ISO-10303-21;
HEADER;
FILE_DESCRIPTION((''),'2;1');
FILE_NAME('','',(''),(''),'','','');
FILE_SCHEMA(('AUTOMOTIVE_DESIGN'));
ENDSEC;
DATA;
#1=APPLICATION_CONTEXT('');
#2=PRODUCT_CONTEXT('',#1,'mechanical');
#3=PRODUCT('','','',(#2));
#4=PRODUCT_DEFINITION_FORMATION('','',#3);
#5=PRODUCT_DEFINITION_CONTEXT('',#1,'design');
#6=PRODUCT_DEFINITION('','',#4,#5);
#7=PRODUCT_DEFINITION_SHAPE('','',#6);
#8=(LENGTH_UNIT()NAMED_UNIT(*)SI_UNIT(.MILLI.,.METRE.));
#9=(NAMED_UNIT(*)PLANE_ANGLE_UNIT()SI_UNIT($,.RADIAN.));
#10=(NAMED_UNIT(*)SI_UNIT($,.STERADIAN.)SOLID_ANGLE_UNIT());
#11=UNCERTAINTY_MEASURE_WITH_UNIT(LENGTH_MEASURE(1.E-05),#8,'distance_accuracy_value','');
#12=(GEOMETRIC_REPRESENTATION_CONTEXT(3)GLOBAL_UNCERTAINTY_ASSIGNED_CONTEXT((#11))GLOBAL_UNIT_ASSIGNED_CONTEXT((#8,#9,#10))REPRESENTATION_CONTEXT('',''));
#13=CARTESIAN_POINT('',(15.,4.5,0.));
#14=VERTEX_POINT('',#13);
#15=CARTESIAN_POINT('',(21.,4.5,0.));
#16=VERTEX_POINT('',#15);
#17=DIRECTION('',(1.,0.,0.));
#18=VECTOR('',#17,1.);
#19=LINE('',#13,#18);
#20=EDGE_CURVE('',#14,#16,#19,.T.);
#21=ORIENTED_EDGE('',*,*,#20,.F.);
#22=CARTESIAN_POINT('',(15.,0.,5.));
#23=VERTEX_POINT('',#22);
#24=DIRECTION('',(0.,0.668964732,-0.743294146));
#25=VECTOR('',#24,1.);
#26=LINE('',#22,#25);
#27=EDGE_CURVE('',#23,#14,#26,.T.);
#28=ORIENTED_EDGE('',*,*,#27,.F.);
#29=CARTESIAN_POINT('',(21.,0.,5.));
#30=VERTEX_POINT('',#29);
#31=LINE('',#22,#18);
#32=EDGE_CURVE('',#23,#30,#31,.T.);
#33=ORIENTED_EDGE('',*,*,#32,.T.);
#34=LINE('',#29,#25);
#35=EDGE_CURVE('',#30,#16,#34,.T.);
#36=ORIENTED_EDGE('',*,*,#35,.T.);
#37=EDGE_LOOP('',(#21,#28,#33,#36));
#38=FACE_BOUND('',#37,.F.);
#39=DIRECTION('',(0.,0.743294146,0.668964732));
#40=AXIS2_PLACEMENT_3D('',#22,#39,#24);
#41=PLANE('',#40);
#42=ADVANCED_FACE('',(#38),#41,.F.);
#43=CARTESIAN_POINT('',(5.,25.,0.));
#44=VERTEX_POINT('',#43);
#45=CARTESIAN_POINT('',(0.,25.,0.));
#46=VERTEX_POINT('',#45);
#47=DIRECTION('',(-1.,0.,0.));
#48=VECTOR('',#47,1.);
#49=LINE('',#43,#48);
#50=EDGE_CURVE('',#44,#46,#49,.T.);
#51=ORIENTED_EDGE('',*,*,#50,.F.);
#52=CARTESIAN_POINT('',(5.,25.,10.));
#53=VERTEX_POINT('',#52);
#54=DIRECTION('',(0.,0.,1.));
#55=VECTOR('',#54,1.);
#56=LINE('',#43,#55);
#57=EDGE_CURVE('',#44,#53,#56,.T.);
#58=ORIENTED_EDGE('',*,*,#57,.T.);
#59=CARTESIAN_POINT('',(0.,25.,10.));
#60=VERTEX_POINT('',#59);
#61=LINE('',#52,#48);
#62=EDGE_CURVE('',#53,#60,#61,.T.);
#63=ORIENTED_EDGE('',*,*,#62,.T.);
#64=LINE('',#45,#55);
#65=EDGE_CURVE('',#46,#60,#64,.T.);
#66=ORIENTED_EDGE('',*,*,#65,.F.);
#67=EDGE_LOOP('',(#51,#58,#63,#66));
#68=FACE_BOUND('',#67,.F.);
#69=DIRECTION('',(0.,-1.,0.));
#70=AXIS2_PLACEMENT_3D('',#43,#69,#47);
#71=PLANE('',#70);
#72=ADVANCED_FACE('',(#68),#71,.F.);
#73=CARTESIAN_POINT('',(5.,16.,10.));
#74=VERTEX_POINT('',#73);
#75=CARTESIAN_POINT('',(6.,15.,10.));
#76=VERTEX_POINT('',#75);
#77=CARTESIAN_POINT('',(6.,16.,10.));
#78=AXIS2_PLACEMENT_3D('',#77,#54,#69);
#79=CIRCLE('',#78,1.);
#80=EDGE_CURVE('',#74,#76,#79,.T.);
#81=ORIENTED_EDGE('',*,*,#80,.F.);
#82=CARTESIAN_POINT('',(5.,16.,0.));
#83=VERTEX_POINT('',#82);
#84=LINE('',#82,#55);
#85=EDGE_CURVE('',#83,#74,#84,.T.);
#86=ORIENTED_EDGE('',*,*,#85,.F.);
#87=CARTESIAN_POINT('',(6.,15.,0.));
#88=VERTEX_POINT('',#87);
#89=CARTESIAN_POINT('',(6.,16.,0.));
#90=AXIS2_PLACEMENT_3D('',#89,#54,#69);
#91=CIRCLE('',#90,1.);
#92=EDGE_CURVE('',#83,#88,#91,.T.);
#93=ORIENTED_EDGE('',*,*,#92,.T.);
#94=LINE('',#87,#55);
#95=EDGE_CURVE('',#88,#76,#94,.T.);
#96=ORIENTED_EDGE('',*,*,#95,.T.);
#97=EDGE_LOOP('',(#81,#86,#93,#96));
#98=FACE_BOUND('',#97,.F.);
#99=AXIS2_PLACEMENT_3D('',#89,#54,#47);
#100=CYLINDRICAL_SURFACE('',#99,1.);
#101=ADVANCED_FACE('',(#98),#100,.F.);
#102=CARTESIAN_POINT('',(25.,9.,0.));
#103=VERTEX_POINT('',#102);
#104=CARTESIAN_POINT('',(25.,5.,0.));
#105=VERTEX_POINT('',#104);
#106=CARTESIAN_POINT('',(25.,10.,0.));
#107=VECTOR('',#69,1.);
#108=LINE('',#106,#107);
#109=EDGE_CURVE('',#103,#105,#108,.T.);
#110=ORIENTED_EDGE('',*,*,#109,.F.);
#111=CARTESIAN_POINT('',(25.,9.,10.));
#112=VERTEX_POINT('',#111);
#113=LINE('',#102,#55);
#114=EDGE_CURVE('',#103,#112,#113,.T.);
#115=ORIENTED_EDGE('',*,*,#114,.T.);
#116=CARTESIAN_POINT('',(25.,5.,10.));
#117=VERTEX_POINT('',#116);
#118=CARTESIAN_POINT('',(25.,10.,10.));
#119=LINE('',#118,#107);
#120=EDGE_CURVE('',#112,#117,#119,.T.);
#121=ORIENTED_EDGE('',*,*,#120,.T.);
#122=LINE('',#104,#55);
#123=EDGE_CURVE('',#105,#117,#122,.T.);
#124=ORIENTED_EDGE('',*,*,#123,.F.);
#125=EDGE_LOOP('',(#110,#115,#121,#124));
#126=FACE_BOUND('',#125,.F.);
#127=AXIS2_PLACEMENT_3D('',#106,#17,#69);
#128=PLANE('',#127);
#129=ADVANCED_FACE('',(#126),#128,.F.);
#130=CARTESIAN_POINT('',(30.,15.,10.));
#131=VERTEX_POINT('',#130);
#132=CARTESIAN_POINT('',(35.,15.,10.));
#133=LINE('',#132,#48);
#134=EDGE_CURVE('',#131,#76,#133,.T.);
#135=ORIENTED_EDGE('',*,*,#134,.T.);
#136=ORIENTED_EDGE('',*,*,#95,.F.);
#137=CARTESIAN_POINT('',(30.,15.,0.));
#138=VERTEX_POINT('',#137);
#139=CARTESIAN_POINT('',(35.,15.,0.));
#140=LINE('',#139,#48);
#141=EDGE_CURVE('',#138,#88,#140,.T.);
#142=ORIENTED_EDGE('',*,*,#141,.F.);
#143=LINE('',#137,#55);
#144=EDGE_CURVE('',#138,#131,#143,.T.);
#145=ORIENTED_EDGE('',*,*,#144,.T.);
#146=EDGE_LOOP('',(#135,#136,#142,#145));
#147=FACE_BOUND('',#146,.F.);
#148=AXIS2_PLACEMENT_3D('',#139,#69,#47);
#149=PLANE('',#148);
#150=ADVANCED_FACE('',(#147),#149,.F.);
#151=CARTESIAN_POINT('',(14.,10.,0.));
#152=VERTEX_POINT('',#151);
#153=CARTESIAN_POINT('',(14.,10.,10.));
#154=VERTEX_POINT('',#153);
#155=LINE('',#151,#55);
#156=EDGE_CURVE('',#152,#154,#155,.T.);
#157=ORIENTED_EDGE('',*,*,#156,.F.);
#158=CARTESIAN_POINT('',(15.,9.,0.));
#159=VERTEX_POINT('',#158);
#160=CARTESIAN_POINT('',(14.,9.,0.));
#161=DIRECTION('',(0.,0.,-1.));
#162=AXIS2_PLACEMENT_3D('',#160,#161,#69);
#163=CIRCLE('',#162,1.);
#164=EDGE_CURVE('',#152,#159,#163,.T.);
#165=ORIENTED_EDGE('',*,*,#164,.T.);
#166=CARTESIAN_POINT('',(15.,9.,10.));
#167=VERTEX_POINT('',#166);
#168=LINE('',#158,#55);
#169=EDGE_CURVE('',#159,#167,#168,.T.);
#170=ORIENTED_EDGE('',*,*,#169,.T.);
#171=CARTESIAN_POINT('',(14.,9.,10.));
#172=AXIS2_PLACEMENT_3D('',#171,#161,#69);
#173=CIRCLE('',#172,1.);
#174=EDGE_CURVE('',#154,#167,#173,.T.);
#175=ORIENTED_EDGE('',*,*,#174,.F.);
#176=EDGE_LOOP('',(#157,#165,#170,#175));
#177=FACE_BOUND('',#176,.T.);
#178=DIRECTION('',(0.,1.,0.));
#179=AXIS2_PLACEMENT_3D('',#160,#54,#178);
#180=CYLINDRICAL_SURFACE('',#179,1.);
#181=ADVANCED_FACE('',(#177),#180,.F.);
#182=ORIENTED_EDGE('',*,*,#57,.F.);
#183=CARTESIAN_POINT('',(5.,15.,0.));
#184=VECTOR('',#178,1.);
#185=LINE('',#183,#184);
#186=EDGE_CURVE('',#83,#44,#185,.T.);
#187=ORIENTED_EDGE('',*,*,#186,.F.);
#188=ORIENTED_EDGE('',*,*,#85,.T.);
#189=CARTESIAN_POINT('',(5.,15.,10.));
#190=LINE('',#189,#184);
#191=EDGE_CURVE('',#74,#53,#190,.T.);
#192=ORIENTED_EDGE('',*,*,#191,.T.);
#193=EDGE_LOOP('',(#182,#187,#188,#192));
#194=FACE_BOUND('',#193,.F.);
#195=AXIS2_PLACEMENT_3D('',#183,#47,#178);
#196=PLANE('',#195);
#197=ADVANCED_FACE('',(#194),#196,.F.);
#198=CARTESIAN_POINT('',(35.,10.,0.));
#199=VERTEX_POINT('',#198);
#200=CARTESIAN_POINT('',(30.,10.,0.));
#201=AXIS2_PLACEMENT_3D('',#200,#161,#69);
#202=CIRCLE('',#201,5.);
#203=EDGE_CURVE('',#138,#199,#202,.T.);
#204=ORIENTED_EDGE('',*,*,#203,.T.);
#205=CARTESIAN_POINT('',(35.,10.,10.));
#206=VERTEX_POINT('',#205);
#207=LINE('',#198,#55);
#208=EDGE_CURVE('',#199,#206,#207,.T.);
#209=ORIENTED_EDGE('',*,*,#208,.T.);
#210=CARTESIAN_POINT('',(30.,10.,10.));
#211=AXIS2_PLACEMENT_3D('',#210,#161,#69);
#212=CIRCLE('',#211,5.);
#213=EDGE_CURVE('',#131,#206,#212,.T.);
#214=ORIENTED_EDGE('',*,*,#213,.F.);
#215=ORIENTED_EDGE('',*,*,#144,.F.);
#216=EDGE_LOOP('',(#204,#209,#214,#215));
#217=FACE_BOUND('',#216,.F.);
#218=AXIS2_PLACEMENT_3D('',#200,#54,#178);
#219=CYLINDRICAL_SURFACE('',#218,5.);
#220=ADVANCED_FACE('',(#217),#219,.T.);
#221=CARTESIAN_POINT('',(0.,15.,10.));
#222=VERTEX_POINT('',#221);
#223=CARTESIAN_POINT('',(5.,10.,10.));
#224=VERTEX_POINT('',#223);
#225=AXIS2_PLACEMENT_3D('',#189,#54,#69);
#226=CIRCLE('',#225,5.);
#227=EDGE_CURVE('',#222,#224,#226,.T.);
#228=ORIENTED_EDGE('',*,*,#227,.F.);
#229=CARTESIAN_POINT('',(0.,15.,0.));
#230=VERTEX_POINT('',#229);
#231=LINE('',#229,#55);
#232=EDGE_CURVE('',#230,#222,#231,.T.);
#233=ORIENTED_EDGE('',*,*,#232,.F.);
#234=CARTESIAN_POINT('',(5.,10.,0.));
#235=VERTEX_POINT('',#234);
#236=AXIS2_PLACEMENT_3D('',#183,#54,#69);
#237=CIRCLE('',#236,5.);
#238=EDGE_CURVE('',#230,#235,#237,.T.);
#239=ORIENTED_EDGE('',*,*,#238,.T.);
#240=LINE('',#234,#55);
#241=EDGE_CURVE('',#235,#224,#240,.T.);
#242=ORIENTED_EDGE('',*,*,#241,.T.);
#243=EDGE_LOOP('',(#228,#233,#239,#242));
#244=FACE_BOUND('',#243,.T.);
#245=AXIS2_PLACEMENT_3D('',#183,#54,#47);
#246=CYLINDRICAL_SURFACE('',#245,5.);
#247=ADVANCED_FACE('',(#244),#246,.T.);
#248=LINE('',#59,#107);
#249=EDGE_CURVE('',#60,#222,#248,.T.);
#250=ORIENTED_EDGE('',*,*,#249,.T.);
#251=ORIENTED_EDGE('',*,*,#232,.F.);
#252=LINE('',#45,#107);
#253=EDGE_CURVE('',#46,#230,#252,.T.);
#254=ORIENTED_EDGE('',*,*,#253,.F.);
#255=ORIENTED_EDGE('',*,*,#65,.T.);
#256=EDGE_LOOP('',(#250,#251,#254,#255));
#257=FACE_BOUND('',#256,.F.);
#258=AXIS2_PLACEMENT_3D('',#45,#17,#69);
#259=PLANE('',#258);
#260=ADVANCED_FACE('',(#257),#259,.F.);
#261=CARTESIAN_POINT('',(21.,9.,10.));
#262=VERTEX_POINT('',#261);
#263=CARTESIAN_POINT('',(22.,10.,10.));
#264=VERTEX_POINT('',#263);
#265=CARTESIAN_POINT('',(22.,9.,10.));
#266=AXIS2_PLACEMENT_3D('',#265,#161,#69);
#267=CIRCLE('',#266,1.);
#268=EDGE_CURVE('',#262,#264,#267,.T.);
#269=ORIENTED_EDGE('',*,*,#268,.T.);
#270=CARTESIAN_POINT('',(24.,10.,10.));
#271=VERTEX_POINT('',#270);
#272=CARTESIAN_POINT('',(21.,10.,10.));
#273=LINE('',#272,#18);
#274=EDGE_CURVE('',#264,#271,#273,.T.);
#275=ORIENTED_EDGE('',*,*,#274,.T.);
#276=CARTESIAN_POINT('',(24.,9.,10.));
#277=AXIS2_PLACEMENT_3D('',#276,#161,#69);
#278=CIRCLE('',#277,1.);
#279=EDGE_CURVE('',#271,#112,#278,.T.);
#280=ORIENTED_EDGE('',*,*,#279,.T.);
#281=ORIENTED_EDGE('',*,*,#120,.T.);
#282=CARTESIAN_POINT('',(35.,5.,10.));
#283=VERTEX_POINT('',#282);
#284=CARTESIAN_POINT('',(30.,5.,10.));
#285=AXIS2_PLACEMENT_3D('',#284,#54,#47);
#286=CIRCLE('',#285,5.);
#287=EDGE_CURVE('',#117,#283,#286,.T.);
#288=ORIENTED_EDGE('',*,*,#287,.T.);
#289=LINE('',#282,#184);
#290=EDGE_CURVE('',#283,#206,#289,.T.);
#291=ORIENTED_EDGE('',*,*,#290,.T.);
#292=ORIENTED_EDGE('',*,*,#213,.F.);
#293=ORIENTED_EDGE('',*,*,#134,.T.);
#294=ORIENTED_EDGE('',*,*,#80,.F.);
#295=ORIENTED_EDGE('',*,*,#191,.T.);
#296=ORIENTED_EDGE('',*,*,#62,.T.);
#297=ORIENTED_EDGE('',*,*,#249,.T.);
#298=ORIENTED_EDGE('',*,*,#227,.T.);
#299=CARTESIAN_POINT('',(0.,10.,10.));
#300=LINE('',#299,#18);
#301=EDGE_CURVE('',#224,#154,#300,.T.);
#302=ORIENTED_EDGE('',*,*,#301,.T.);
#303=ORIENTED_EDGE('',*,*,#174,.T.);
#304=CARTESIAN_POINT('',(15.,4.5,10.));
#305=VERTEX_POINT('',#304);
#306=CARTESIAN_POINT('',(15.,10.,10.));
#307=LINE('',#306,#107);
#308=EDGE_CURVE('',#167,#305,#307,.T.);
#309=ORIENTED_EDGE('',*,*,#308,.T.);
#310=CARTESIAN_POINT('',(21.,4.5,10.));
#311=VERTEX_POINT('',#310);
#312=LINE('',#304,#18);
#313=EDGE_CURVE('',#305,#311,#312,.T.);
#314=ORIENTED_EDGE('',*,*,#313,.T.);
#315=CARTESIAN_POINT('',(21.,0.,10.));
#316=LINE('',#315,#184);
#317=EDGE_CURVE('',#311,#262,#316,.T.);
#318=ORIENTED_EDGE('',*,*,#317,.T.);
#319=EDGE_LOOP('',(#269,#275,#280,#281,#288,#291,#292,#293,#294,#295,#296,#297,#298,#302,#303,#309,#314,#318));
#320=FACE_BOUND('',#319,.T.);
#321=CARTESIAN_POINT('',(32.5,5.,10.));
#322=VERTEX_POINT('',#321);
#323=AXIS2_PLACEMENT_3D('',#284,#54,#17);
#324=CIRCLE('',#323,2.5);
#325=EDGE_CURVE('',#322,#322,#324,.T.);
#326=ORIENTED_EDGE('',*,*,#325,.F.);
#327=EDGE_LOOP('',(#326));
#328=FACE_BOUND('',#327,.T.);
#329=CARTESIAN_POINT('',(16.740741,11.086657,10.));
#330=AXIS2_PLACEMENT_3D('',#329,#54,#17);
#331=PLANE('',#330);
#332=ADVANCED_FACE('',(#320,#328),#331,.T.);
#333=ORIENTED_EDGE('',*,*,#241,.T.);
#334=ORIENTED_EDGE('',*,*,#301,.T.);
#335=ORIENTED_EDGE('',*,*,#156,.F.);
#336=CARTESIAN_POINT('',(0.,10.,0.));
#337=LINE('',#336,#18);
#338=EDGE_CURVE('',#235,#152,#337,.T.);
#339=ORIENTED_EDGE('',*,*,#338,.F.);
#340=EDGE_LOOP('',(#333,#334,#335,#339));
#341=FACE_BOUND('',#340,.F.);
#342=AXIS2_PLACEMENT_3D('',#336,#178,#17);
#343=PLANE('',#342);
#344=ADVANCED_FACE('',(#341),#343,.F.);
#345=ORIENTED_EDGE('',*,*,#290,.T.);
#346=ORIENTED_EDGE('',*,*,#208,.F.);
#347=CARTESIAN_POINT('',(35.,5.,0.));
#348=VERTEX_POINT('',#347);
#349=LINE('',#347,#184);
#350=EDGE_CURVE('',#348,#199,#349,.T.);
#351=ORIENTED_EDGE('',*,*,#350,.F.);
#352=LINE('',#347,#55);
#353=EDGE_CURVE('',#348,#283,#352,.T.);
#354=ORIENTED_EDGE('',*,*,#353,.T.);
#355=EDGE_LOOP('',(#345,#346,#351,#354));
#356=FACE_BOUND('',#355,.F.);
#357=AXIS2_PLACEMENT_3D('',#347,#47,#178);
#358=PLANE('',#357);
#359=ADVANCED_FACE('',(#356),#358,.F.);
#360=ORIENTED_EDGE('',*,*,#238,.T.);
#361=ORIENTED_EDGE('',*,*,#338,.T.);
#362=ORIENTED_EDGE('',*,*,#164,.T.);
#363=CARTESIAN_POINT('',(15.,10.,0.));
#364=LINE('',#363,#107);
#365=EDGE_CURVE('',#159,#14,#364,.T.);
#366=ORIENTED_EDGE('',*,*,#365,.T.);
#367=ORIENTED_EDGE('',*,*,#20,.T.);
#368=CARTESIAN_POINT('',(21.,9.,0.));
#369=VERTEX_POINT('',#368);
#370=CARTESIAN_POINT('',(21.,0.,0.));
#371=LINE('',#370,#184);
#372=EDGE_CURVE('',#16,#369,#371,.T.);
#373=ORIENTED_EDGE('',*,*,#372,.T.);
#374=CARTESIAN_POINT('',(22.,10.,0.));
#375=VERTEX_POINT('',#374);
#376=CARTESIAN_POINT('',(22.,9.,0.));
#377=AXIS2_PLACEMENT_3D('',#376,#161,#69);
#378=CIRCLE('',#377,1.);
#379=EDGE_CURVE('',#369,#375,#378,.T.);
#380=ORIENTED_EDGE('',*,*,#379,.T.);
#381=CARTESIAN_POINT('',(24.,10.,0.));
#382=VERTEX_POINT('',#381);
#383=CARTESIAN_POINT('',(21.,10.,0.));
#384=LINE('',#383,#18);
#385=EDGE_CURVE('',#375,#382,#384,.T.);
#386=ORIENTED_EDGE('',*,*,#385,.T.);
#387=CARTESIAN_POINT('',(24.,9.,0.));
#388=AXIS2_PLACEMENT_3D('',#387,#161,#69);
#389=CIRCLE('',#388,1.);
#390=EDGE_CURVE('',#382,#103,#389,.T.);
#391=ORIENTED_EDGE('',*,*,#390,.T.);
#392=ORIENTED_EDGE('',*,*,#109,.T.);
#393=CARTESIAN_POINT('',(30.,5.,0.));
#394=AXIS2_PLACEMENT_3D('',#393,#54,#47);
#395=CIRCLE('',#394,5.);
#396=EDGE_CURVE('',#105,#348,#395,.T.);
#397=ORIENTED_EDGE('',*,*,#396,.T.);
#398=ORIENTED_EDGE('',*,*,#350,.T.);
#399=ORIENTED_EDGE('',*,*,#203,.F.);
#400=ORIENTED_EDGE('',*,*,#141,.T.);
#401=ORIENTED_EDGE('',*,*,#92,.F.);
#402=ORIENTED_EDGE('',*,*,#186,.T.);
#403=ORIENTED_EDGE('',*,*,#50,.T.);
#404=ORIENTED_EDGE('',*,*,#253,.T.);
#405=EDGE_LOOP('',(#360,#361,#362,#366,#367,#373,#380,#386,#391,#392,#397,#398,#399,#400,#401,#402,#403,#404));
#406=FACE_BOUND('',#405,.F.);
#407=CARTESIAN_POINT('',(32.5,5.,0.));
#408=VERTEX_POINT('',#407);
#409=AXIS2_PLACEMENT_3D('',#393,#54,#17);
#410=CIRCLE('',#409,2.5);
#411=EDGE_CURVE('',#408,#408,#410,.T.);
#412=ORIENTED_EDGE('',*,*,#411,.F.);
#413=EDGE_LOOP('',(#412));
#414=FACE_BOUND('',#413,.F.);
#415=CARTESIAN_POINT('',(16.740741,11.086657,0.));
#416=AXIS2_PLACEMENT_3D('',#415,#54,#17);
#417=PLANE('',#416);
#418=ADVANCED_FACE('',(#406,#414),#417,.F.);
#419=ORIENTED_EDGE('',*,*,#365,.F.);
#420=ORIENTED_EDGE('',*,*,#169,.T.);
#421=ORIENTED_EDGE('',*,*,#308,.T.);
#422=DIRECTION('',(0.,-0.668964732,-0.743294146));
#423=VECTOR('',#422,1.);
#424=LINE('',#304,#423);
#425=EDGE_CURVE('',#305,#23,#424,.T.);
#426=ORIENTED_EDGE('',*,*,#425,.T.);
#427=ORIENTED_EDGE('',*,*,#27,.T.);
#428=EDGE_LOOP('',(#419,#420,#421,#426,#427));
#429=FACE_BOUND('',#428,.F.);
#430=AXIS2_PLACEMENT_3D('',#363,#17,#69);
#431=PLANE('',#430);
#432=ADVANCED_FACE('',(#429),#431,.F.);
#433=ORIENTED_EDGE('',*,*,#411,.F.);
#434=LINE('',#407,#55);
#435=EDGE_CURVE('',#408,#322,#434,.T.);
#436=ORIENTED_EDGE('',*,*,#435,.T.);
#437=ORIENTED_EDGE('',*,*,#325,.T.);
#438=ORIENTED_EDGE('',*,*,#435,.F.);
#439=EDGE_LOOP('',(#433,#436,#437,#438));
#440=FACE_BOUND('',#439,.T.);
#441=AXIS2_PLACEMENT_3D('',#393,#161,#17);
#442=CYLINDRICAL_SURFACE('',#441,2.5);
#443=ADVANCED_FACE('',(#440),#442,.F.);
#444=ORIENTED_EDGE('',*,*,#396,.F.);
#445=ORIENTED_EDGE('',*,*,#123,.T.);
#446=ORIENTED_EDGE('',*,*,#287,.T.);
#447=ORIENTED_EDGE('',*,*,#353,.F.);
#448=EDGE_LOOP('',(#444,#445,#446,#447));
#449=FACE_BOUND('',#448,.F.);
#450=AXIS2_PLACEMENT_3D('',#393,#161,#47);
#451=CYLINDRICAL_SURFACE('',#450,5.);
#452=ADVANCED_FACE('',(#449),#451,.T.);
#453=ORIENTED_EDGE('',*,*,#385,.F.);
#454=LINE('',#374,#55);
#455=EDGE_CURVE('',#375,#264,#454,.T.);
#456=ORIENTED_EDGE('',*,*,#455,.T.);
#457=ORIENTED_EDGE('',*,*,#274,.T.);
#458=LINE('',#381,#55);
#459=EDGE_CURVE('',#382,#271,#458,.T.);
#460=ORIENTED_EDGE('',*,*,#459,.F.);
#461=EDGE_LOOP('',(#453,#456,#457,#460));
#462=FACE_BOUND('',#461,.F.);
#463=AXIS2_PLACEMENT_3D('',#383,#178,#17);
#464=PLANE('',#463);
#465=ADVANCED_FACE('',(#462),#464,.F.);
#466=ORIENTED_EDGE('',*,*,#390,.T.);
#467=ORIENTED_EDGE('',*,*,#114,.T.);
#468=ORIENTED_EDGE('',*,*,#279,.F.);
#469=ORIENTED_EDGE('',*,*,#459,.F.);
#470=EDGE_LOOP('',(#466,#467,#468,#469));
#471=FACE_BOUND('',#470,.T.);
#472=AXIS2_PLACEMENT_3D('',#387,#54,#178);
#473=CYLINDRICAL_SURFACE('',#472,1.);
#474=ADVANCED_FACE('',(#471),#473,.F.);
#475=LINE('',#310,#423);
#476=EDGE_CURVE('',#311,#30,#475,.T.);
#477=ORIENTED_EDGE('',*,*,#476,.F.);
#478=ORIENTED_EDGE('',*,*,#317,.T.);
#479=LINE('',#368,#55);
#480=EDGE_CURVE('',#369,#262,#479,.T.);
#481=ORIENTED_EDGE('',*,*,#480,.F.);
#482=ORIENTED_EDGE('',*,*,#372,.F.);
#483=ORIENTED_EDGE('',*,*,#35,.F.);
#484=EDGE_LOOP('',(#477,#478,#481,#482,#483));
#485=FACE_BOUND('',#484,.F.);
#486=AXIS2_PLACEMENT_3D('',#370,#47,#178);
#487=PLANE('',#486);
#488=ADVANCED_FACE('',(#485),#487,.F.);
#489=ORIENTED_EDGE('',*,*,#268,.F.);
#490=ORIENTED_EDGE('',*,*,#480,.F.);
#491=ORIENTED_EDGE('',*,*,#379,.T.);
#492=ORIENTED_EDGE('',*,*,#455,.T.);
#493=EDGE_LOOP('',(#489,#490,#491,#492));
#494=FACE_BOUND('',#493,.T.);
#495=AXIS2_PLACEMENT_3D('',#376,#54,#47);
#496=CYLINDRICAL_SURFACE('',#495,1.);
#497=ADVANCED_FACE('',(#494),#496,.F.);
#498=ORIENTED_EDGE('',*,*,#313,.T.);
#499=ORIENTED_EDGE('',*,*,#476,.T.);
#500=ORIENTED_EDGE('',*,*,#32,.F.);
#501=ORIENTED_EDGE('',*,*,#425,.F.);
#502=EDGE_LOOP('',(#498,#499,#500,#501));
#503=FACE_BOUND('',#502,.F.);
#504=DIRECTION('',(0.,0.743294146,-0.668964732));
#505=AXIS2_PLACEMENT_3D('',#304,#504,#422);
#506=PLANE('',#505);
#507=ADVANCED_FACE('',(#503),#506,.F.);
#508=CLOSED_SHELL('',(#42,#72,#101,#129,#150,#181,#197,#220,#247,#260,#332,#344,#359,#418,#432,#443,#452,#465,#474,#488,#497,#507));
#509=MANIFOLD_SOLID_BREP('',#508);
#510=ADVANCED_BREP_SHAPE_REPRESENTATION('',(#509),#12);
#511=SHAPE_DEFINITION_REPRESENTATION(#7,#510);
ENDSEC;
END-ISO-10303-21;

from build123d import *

# Parameters (mm, degrees)
F0_R     = 2.5
F1_DEPTH = 10
F2_R     = 5
F3_R     = 1
F5_DEPTH = 6


with BuildPart() as f1:
    # F0 (on Top) → F1 (new body)
    with BuildSketch(Plane.XY):
        with BuildLine():
            Line((0, 25), (0, 10))
            Line((0, 10), (15, 10))
            Line((15, 10), (15, 0))
            Line((15, 0), (21, 0))
            Line((21, 0), (21, 10))
            Line((21, 10), (25, 10))
            Line((25, 10), (25, 5))
            ThreePointArc((25, 5), (30, 0), (35, 5))
            Line((35, 5), (35, 15))
            Line((35, 15), (5, 15))
            Line((5, 15), (5, 25))
            Line((5, 25), (0, 25))
        make_face()
        with Locations((30, 5)):
            Circle(F0_R, mode=Mode.SUBTRACT)
    extrude(amount=F1_DEPTH)

    # F2
    f2_edges = [f1.edges().sort_by_distance(p)[0] for p in [
        (0, 10, 5),
        (35, 15, 5),
    ]]
    fillet(f2_edges, radius=F2_R)

    # F3
    f3_edges = [f1.edges().sort_by_distance(p)[0] for p in [
        (15, 10, 5),
        (5, 15, 5),
        (25, 10, 5),
        (21, 10, 5),
    ]]
    fillet(f3_edges, radius=F3_R)

    # F4 (on face) → F5 (cut)
    with BuildSketch(Plane(origin=(15, 0, 0), x_dir=(0, -1, 0), z_dir=(-1, 0, 0))):
        Polygon((-4.5, 10), (0, 5), (0, 10), align=None)
        Polygon((0, 5), (-4.5, 0), (0, 0), align=None)
    extrude(amount=-F5_DEPTH, mode=Mode.SUBTRACT)


solid = f1.part
